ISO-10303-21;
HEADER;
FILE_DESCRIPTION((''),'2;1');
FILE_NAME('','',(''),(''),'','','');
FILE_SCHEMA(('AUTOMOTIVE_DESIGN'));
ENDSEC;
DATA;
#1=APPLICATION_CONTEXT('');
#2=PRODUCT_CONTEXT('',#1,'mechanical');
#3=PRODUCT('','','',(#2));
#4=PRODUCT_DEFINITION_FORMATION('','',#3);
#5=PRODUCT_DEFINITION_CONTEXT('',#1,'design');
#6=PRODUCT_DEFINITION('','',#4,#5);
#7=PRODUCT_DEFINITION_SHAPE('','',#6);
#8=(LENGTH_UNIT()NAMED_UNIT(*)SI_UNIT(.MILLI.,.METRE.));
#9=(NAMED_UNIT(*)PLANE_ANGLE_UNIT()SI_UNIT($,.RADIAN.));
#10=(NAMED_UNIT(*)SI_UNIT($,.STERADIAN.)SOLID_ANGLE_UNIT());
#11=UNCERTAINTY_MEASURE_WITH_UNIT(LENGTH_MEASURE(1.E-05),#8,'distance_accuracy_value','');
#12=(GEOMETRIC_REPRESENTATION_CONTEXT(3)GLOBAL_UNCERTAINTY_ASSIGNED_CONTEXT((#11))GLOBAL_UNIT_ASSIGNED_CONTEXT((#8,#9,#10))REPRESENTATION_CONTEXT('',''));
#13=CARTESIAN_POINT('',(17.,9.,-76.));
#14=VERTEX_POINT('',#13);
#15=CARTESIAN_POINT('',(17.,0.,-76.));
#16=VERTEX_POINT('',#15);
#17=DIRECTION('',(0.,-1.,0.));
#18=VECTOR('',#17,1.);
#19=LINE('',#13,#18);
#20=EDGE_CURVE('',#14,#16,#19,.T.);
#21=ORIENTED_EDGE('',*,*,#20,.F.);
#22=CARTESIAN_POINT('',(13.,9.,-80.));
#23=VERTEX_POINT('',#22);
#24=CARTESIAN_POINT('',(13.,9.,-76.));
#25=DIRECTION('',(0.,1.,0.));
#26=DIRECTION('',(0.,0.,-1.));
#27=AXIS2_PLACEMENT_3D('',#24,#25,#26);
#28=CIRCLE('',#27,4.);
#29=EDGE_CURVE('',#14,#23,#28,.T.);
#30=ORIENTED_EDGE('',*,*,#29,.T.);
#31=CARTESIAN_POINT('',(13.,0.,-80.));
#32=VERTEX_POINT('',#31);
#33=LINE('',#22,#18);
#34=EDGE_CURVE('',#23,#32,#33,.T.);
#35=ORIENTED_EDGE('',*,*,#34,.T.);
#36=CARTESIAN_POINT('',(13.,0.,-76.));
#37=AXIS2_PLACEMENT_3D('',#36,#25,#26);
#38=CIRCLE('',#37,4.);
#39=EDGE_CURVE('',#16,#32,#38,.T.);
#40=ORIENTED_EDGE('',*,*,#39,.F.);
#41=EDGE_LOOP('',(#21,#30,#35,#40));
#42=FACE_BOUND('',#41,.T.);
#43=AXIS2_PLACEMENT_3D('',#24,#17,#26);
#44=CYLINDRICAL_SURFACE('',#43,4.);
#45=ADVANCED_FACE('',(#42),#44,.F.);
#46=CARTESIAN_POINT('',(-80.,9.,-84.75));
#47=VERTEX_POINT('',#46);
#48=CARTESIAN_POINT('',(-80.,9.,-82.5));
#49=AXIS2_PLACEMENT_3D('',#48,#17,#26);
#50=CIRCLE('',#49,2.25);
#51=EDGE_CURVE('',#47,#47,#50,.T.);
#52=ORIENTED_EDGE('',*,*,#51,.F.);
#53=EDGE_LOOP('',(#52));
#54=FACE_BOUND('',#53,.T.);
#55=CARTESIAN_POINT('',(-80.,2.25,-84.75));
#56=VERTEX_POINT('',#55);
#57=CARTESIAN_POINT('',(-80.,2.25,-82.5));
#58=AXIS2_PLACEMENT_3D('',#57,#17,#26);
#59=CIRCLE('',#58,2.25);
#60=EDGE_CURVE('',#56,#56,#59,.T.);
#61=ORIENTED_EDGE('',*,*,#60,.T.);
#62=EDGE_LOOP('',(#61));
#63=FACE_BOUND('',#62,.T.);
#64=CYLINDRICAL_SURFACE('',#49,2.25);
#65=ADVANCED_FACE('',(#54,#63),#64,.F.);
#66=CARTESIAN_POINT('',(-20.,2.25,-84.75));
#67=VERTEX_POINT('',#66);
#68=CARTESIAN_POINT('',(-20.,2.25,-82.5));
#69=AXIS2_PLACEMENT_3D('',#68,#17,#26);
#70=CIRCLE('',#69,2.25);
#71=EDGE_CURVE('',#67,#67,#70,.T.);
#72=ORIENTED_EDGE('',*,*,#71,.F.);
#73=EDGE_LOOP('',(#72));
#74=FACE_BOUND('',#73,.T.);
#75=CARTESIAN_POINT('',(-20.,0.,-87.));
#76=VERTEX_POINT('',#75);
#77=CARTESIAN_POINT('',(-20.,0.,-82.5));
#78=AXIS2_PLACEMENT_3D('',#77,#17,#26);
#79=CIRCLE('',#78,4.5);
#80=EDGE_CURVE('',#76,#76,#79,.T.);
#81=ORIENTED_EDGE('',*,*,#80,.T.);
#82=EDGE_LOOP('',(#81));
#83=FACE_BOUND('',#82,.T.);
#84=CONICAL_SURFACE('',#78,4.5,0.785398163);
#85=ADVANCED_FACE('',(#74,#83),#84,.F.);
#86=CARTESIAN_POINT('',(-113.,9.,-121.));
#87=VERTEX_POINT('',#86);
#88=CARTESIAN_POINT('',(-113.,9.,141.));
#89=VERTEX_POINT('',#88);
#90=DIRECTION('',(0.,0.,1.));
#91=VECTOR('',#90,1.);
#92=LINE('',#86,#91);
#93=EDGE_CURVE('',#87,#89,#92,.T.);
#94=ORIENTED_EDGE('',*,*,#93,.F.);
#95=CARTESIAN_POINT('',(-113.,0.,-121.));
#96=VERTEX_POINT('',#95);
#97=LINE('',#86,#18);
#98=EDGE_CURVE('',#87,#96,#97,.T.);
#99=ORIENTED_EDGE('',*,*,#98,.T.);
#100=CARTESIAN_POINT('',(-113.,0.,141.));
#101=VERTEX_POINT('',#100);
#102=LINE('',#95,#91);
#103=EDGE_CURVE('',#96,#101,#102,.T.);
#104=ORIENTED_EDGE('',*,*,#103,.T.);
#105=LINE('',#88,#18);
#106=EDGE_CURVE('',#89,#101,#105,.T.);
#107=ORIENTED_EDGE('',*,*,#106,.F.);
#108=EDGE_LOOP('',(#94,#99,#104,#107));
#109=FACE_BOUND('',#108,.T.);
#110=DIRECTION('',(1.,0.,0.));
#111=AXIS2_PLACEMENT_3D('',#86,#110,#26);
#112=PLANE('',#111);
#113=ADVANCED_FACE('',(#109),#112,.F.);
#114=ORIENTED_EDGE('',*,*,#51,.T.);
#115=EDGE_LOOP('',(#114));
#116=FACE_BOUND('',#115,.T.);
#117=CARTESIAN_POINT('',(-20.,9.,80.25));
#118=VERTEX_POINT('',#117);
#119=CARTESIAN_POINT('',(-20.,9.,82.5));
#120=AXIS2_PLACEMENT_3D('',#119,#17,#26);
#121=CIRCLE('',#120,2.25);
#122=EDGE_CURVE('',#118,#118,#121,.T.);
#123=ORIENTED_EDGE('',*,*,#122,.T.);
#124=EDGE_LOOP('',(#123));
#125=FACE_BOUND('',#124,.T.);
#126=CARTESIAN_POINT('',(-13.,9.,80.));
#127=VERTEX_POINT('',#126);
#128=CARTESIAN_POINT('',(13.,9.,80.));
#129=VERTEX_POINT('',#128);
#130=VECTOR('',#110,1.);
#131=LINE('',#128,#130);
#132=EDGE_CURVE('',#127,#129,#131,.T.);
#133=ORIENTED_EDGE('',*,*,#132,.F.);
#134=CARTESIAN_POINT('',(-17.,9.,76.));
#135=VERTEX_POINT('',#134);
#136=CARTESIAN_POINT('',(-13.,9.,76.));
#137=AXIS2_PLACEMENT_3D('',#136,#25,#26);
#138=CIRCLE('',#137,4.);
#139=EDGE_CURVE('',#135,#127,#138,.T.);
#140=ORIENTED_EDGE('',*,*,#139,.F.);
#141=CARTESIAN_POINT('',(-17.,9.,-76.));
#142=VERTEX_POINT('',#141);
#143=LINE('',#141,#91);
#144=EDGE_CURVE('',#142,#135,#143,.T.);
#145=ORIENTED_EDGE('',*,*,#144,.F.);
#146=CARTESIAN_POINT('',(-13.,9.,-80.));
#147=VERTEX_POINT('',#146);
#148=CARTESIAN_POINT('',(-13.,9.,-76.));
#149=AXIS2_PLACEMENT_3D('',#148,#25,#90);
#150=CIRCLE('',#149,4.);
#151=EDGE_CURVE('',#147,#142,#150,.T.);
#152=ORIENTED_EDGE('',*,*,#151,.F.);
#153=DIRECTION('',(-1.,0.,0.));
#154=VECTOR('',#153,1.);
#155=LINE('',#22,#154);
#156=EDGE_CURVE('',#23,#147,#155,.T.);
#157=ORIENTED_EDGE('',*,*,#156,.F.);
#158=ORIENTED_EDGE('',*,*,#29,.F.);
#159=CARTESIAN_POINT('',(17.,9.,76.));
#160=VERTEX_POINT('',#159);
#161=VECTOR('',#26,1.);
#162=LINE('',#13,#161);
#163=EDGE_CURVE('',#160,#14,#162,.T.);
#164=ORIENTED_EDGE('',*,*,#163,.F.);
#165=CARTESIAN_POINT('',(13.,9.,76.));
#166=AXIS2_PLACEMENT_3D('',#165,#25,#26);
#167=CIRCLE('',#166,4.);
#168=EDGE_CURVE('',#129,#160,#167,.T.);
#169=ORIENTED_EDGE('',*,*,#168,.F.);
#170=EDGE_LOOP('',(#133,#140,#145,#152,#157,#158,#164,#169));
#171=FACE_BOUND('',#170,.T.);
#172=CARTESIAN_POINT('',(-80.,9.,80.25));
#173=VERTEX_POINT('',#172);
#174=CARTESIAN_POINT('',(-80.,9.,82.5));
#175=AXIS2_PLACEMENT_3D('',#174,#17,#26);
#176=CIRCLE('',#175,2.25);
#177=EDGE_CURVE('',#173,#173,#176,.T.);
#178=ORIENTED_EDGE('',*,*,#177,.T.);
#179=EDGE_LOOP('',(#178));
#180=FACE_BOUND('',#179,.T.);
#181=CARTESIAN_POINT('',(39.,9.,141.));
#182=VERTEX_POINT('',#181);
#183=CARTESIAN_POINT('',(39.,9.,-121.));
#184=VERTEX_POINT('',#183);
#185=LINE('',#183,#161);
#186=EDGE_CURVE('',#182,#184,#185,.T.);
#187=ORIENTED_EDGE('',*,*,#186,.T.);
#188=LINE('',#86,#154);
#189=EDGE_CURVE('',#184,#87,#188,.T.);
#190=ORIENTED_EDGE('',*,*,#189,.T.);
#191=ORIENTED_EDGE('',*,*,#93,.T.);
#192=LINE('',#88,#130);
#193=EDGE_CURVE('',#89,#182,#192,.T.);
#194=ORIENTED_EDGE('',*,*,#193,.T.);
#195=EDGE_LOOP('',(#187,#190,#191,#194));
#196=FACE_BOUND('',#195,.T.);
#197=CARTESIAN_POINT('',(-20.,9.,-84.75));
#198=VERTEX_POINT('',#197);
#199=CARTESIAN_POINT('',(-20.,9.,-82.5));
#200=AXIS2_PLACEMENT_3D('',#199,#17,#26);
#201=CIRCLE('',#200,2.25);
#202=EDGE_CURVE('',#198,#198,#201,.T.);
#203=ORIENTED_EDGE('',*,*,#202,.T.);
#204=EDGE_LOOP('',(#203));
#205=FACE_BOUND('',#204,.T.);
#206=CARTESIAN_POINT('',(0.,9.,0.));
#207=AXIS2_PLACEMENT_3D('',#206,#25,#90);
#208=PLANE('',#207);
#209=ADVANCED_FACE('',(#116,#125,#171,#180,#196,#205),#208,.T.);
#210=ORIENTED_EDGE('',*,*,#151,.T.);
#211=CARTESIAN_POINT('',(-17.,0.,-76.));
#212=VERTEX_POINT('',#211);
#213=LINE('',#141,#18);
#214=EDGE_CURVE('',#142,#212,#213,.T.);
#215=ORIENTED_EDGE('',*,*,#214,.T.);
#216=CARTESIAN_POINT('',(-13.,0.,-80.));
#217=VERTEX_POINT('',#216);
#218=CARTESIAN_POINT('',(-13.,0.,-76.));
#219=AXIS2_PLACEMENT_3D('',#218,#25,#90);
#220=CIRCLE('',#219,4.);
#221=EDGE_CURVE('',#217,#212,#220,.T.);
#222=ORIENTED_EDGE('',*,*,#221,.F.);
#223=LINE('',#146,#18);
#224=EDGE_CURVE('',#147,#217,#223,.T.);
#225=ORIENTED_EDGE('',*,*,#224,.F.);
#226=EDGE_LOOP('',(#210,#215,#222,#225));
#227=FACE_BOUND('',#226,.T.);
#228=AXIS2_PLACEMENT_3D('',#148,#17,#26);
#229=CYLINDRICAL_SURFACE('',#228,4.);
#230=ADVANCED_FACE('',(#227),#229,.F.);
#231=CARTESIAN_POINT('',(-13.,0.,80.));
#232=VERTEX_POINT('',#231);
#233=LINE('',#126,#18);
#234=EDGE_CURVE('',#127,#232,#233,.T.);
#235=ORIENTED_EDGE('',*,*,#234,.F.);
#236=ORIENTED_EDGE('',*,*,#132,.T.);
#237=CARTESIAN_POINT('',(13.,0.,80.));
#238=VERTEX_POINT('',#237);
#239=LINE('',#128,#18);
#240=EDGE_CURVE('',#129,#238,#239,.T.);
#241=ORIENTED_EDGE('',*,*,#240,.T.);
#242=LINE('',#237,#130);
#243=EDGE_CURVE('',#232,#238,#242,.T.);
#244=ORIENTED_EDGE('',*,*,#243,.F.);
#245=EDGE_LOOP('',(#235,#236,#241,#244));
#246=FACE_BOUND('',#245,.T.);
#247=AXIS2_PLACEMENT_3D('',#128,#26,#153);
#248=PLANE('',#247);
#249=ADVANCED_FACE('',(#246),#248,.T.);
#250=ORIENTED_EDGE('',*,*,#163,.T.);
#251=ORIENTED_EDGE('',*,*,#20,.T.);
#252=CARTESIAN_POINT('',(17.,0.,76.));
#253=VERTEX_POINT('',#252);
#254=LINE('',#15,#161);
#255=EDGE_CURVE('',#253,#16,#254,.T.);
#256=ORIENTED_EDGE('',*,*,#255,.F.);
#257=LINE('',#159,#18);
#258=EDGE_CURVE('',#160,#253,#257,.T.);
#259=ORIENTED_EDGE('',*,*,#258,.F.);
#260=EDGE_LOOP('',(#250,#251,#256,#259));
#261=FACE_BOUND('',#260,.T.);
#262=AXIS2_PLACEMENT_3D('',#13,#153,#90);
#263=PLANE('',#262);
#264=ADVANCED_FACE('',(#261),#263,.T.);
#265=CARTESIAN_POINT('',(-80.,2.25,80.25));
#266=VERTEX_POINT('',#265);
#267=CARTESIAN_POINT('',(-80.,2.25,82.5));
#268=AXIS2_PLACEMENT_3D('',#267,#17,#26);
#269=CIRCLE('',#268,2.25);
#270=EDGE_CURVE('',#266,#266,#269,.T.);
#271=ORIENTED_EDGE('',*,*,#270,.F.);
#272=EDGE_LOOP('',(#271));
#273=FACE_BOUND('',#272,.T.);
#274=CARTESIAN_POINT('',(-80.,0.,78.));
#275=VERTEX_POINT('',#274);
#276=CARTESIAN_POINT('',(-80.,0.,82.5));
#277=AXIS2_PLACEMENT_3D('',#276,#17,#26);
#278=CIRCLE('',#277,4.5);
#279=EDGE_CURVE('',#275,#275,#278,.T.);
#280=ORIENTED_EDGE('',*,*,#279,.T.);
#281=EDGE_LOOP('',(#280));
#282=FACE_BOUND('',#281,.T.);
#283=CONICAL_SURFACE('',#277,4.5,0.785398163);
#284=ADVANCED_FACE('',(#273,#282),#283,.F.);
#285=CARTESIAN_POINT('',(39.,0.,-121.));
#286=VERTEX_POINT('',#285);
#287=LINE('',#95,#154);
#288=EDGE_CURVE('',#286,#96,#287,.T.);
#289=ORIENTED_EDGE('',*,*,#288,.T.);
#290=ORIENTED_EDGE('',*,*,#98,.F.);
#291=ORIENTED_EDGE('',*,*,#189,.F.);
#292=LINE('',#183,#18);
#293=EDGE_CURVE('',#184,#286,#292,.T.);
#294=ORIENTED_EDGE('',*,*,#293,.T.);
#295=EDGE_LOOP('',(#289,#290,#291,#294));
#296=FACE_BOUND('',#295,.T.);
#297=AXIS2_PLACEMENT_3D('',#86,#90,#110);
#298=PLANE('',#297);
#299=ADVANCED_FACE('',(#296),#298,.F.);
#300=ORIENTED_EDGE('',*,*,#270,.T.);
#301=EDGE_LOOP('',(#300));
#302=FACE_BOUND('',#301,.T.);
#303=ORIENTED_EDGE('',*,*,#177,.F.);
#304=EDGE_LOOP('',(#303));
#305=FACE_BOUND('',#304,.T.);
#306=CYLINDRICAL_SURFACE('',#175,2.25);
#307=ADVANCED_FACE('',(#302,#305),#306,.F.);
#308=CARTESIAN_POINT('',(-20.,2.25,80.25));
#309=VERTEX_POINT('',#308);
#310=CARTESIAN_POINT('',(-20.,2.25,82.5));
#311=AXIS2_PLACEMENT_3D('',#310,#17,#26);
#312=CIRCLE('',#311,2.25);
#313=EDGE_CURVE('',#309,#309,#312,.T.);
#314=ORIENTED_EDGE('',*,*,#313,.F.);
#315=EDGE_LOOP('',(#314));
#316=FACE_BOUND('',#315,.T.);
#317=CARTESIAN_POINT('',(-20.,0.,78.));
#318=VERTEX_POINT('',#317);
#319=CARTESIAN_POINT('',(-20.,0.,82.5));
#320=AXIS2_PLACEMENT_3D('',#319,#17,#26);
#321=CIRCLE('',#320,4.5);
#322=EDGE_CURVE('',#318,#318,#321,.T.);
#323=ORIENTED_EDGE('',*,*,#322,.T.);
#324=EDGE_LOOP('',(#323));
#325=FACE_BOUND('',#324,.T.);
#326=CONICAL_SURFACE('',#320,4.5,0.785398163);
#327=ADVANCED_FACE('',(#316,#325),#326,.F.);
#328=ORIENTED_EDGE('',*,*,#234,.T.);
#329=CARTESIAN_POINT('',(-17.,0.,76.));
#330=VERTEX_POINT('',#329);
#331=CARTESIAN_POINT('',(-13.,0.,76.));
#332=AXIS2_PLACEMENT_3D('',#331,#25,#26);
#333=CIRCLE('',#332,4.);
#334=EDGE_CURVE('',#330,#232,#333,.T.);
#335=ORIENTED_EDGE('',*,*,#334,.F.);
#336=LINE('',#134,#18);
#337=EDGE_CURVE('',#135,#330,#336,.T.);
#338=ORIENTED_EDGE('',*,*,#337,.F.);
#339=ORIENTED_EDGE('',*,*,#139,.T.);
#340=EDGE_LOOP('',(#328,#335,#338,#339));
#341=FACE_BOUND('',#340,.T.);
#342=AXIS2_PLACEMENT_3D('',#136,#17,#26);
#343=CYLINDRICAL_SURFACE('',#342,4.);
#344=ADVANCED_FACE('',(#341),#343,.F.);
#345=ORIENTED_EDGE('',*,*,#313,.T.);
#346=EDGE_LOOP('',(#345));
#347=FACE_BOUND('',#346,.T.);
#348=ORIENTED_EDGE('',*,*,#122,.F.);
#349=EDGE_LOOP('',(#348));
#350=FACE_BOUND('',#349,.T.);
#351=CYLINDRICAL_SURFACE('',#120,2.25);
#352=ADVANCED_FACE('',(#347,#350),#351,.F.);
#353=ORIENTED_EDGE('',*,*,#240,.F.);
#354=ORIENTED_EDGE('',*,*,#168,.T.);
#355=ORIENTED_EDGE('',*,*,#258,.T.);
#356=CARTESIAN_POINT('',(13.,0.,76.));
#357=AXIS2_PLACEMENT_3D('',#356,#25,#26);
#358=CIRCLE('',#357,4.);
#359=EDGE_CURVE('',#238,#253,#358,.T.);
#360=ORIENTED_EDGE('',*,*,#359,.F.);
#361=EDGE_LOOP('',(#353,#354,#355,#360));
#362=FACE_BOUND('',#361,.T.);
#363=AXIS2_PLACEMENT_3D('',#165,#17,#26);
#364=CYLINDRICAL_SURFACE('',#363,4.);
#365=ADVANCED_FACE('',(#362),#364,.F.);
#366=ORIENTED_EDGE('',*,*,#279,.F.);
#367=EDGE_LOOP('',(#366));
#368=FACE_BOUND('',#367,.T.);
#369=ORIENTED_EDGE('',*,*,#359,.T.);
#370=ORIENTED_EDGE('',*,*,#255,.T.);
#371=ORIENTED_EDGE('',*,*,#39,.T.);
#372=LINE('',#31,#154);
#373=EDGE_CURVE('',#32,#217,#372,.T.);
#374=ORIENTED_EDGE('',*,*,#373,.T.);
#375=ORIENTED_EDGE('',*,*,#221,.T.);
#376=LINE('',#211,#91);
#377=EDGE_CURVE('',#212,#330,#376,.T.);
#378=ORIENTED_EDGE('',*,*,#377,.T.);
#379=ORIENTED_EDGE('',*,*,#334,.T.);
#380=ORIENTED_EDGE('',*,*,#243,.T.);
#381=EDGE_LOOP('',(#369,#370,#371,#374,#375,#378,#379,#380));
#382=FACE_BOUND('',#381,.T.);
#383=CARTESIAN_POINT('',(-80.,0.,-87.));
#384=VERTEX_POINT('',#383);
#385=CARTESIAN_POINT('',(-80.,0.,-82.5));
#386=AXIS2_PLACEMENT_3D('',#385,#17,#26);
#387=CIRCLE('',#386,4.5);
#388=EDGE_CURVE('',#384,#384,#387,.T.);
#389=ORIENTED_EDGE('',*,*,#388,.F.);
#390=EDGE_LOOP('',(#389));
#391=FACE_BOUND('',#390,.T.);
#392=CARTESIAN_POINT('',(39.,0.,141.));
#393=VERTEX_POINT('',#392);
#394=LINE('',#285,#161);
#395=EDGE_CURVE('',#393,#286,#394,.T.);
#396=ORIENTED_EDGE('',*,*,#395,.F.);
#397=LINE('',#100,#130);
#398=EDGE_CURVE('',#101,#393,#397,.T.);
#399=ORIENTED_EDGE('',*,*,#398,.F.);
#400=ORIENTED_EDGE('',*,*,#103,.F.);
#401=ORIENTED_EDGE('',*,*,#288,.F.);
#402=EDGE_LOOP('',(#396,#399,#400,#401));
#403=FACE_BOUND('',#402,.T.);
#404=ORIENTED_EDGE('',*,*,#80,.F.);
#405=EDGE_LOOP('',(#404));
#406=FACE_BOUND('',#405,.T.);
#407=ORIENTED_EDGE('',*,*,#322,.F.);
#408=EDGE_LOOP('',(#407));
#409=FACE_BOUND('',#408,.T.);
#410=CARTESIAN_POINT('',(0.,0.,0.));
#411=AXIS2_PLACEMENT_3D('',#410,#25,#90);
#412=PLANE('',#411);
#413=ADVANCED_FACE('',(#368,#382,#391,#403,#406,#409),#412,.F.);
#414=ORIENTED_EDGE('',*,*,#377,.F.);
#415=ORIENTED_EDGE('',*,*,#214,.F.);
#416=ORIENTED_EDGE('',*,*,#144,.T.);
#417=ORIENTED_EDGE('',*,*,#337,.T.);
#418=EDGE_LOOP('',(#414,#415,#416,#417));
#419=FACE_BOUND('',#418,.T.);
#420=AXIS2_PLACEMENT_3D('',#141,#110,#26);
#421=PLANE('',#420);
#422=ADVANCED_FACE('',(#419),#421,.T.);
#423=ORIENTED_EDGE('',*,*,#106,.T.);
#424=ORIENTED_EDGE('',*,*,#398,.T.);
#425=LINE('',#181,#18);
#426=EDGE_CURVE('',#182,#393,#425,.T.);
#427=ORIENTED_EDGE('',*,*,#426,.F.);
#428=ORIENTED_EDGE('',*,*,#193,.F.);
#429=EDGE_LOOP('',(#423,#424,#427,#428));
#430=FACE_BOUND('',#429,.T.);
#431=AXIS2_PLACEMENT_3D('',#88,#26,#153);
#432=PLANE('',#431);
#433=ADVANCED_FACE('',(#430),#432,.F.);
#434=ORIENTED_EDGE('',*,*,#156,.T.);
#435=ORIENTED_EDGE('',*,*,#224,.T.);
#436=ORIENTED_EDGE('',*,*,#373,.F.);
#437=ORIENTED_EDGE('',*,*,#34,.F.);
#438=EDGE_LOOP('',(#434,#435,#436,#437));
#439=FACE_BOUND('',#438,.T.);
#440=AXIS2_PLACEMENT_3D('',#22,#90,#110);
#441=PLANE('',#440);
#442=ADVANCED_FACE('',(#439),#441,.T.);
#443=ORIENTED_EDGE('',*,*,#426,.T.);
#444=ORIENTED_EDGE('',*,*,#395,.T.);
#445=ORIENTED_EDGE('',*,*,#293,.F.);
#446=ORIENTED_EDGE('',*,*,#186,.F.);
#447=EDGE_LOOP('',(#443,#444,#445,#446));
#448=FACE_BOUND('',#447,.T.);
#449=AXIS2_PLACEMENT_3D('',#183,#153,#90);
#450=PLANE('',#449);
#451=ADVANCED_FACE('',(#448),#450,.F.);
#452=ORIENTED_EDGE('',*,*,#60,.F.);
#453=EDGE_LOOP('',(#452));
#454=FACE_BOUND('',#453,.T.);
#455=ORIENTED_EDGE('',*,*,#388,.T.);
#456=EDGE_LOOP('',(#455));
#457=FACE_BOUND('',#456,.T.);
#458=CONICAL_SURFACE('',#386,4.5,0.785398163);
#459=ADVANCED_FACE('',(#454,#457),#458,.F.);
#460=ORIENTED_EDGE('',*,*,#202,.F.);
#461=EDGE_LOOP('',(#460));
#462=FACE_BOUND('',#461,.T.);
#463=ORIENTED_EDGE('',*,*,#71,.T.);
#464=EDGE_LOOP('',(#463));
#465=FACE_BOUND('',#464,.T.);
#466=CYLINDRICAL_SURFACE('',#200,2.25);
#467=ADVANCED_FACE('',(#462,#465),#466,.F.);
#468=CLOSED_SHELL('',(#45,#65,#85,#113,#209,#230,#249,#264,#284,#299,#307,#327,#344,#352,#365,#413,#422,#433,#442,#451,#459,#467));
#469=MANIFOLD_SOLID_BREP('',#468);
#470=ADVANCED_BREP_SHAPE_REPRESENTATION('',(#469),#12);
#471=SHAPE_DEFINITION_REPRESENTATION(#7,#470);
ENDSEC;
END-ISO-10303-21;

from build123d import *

# Parameters (mm, degrees)
SKETCH1_W           = 152
SKETCH1_H           = 262
BOSS_EXTRUDE1_DEPTH = 9
SKETCH2_R           = 2.25
CUT_EXTRUDE1_DEPTH  = 181.917108091


with BuildPart() as part:
    # Sketch1 → Boss-Extrude1 (new body)
    with BuildSketch(Plane(origin=(0, 0, 0), x_dir=(1, 0, 0), z_dir=(0, 1, 0))):
        with Locations((-37, -10)):
            Rectangle(SKETCH1_W, SKETCH1_H)
        with BuildLine():
            Line((13, 80), (-13, 80))
            ThreePointArc((-13, 80), (-15.828427125, 78.828427125), (-17, 76))
            Line((-17, 76), (-17, -76))
            ThreePointArc((-17, -76), (-15.828427125, -78.828427125), (-13, -80))
            Line((-13, -80), (13, -80))
            ThreePointArc((13, -80), (15.828427125, -78.828427125), (17, -76))
            Line((17, -76), (17, 76))
            ThreePointArc((17, 76), (15.828427125, 78.828427125), (13, 80))
        make_face(mode=Mode.SUBTRACT)
    extrude(amount=BOSS_EXTRUDE1_DEPTH)

    # Sketch2 → Cut-Extrude1 (cut, through all)
    with BuildSketch(Plane.XZ):
        with Locations(Location((-20, 82.5, 0), (0, 0, 270))):
            Circle(SKETCH2_R)
        with Locations(Location((-80, 82.5, 0), (0, 0, 270))):
            Circle(SKETCH2_R)
        with Locations(Location((-20, -82.5, 0), (0, 0, 270))):
            Circle(SKETCH2_R)
        with Locations(Location((-80, -82.5, 0), (0, 0, 270))):
            Circle(SKETCH2_R)
    extrude(amount=-CUT_EXTRUDE1_DEPTH, mode=Mode.SUBTRACT)

    # Cut-Extrude2 cone 1 section (through the dimple's axis) → Cut-Extrude2 (revolve, cut)
    with BuildSketch(Plane(origin=(-80, 0, 82.5), x_dir=(0, 0, -1), z_dir=(1, 0, 0))):
        Polygon((0, 0), (4.5, 0), (0, 4.5), align=None)
    revolve(axis=Axis((-80, 0, 82.5), (0, 1, 0)), mode=Mode.SUBTRACT)

    # Cut-Extrude2 cone 2 section (through the dimple's axis) → Cut-Extrude2 cone 2 (revolve, cut)
    with BuildSketch(Plane(origin=(-20, 0, 82.5), x_dir=(0, 0, -1), z_dir=(1, 0, 0))):
        Polygon((0, 0), (4.5, 0), (0, 4.5), align=None)
    revolve(axis=Axis((-20, 0, 82.5), (0, 1, 0)), mode=Mode.SUBTRACT)

    # Cut-Extrude2 cone 3 section (through the dimple's axis) → Cut-Extrude2 cone 3 (revolve, cut)
    with BuildSketch(Plane(origin=(-20, 0, -82.5), x_dir=(0, 0, -1), z_dir=(1, 0, 0))):
        Polygon((0, 0), (4.5, 0), (0, 4.5), align=None)
    revolve(axis=Axis((-20, 0, -82.5), (0, 1, 0)), mode=Mode.SUBTRACT)

    # Cut-Extrude2 cone 4 section (through the dimple's axis) → Cut-Extrude2 cone 4 (revolve, cut)
    with BuildSketch(Plane(origin=(-80, 0, -82.5), x_dir=(0, 0, -1), z_dir=(1, 0, 0))):
        Polygon((0, 0), (4.5, 0), (0, 4.5), align=None)
    revolve(axis=Axis((-80, 0, -82.5), (0, 1, 0)), mode=Mode.SUBTRACT)


solid = part.part
